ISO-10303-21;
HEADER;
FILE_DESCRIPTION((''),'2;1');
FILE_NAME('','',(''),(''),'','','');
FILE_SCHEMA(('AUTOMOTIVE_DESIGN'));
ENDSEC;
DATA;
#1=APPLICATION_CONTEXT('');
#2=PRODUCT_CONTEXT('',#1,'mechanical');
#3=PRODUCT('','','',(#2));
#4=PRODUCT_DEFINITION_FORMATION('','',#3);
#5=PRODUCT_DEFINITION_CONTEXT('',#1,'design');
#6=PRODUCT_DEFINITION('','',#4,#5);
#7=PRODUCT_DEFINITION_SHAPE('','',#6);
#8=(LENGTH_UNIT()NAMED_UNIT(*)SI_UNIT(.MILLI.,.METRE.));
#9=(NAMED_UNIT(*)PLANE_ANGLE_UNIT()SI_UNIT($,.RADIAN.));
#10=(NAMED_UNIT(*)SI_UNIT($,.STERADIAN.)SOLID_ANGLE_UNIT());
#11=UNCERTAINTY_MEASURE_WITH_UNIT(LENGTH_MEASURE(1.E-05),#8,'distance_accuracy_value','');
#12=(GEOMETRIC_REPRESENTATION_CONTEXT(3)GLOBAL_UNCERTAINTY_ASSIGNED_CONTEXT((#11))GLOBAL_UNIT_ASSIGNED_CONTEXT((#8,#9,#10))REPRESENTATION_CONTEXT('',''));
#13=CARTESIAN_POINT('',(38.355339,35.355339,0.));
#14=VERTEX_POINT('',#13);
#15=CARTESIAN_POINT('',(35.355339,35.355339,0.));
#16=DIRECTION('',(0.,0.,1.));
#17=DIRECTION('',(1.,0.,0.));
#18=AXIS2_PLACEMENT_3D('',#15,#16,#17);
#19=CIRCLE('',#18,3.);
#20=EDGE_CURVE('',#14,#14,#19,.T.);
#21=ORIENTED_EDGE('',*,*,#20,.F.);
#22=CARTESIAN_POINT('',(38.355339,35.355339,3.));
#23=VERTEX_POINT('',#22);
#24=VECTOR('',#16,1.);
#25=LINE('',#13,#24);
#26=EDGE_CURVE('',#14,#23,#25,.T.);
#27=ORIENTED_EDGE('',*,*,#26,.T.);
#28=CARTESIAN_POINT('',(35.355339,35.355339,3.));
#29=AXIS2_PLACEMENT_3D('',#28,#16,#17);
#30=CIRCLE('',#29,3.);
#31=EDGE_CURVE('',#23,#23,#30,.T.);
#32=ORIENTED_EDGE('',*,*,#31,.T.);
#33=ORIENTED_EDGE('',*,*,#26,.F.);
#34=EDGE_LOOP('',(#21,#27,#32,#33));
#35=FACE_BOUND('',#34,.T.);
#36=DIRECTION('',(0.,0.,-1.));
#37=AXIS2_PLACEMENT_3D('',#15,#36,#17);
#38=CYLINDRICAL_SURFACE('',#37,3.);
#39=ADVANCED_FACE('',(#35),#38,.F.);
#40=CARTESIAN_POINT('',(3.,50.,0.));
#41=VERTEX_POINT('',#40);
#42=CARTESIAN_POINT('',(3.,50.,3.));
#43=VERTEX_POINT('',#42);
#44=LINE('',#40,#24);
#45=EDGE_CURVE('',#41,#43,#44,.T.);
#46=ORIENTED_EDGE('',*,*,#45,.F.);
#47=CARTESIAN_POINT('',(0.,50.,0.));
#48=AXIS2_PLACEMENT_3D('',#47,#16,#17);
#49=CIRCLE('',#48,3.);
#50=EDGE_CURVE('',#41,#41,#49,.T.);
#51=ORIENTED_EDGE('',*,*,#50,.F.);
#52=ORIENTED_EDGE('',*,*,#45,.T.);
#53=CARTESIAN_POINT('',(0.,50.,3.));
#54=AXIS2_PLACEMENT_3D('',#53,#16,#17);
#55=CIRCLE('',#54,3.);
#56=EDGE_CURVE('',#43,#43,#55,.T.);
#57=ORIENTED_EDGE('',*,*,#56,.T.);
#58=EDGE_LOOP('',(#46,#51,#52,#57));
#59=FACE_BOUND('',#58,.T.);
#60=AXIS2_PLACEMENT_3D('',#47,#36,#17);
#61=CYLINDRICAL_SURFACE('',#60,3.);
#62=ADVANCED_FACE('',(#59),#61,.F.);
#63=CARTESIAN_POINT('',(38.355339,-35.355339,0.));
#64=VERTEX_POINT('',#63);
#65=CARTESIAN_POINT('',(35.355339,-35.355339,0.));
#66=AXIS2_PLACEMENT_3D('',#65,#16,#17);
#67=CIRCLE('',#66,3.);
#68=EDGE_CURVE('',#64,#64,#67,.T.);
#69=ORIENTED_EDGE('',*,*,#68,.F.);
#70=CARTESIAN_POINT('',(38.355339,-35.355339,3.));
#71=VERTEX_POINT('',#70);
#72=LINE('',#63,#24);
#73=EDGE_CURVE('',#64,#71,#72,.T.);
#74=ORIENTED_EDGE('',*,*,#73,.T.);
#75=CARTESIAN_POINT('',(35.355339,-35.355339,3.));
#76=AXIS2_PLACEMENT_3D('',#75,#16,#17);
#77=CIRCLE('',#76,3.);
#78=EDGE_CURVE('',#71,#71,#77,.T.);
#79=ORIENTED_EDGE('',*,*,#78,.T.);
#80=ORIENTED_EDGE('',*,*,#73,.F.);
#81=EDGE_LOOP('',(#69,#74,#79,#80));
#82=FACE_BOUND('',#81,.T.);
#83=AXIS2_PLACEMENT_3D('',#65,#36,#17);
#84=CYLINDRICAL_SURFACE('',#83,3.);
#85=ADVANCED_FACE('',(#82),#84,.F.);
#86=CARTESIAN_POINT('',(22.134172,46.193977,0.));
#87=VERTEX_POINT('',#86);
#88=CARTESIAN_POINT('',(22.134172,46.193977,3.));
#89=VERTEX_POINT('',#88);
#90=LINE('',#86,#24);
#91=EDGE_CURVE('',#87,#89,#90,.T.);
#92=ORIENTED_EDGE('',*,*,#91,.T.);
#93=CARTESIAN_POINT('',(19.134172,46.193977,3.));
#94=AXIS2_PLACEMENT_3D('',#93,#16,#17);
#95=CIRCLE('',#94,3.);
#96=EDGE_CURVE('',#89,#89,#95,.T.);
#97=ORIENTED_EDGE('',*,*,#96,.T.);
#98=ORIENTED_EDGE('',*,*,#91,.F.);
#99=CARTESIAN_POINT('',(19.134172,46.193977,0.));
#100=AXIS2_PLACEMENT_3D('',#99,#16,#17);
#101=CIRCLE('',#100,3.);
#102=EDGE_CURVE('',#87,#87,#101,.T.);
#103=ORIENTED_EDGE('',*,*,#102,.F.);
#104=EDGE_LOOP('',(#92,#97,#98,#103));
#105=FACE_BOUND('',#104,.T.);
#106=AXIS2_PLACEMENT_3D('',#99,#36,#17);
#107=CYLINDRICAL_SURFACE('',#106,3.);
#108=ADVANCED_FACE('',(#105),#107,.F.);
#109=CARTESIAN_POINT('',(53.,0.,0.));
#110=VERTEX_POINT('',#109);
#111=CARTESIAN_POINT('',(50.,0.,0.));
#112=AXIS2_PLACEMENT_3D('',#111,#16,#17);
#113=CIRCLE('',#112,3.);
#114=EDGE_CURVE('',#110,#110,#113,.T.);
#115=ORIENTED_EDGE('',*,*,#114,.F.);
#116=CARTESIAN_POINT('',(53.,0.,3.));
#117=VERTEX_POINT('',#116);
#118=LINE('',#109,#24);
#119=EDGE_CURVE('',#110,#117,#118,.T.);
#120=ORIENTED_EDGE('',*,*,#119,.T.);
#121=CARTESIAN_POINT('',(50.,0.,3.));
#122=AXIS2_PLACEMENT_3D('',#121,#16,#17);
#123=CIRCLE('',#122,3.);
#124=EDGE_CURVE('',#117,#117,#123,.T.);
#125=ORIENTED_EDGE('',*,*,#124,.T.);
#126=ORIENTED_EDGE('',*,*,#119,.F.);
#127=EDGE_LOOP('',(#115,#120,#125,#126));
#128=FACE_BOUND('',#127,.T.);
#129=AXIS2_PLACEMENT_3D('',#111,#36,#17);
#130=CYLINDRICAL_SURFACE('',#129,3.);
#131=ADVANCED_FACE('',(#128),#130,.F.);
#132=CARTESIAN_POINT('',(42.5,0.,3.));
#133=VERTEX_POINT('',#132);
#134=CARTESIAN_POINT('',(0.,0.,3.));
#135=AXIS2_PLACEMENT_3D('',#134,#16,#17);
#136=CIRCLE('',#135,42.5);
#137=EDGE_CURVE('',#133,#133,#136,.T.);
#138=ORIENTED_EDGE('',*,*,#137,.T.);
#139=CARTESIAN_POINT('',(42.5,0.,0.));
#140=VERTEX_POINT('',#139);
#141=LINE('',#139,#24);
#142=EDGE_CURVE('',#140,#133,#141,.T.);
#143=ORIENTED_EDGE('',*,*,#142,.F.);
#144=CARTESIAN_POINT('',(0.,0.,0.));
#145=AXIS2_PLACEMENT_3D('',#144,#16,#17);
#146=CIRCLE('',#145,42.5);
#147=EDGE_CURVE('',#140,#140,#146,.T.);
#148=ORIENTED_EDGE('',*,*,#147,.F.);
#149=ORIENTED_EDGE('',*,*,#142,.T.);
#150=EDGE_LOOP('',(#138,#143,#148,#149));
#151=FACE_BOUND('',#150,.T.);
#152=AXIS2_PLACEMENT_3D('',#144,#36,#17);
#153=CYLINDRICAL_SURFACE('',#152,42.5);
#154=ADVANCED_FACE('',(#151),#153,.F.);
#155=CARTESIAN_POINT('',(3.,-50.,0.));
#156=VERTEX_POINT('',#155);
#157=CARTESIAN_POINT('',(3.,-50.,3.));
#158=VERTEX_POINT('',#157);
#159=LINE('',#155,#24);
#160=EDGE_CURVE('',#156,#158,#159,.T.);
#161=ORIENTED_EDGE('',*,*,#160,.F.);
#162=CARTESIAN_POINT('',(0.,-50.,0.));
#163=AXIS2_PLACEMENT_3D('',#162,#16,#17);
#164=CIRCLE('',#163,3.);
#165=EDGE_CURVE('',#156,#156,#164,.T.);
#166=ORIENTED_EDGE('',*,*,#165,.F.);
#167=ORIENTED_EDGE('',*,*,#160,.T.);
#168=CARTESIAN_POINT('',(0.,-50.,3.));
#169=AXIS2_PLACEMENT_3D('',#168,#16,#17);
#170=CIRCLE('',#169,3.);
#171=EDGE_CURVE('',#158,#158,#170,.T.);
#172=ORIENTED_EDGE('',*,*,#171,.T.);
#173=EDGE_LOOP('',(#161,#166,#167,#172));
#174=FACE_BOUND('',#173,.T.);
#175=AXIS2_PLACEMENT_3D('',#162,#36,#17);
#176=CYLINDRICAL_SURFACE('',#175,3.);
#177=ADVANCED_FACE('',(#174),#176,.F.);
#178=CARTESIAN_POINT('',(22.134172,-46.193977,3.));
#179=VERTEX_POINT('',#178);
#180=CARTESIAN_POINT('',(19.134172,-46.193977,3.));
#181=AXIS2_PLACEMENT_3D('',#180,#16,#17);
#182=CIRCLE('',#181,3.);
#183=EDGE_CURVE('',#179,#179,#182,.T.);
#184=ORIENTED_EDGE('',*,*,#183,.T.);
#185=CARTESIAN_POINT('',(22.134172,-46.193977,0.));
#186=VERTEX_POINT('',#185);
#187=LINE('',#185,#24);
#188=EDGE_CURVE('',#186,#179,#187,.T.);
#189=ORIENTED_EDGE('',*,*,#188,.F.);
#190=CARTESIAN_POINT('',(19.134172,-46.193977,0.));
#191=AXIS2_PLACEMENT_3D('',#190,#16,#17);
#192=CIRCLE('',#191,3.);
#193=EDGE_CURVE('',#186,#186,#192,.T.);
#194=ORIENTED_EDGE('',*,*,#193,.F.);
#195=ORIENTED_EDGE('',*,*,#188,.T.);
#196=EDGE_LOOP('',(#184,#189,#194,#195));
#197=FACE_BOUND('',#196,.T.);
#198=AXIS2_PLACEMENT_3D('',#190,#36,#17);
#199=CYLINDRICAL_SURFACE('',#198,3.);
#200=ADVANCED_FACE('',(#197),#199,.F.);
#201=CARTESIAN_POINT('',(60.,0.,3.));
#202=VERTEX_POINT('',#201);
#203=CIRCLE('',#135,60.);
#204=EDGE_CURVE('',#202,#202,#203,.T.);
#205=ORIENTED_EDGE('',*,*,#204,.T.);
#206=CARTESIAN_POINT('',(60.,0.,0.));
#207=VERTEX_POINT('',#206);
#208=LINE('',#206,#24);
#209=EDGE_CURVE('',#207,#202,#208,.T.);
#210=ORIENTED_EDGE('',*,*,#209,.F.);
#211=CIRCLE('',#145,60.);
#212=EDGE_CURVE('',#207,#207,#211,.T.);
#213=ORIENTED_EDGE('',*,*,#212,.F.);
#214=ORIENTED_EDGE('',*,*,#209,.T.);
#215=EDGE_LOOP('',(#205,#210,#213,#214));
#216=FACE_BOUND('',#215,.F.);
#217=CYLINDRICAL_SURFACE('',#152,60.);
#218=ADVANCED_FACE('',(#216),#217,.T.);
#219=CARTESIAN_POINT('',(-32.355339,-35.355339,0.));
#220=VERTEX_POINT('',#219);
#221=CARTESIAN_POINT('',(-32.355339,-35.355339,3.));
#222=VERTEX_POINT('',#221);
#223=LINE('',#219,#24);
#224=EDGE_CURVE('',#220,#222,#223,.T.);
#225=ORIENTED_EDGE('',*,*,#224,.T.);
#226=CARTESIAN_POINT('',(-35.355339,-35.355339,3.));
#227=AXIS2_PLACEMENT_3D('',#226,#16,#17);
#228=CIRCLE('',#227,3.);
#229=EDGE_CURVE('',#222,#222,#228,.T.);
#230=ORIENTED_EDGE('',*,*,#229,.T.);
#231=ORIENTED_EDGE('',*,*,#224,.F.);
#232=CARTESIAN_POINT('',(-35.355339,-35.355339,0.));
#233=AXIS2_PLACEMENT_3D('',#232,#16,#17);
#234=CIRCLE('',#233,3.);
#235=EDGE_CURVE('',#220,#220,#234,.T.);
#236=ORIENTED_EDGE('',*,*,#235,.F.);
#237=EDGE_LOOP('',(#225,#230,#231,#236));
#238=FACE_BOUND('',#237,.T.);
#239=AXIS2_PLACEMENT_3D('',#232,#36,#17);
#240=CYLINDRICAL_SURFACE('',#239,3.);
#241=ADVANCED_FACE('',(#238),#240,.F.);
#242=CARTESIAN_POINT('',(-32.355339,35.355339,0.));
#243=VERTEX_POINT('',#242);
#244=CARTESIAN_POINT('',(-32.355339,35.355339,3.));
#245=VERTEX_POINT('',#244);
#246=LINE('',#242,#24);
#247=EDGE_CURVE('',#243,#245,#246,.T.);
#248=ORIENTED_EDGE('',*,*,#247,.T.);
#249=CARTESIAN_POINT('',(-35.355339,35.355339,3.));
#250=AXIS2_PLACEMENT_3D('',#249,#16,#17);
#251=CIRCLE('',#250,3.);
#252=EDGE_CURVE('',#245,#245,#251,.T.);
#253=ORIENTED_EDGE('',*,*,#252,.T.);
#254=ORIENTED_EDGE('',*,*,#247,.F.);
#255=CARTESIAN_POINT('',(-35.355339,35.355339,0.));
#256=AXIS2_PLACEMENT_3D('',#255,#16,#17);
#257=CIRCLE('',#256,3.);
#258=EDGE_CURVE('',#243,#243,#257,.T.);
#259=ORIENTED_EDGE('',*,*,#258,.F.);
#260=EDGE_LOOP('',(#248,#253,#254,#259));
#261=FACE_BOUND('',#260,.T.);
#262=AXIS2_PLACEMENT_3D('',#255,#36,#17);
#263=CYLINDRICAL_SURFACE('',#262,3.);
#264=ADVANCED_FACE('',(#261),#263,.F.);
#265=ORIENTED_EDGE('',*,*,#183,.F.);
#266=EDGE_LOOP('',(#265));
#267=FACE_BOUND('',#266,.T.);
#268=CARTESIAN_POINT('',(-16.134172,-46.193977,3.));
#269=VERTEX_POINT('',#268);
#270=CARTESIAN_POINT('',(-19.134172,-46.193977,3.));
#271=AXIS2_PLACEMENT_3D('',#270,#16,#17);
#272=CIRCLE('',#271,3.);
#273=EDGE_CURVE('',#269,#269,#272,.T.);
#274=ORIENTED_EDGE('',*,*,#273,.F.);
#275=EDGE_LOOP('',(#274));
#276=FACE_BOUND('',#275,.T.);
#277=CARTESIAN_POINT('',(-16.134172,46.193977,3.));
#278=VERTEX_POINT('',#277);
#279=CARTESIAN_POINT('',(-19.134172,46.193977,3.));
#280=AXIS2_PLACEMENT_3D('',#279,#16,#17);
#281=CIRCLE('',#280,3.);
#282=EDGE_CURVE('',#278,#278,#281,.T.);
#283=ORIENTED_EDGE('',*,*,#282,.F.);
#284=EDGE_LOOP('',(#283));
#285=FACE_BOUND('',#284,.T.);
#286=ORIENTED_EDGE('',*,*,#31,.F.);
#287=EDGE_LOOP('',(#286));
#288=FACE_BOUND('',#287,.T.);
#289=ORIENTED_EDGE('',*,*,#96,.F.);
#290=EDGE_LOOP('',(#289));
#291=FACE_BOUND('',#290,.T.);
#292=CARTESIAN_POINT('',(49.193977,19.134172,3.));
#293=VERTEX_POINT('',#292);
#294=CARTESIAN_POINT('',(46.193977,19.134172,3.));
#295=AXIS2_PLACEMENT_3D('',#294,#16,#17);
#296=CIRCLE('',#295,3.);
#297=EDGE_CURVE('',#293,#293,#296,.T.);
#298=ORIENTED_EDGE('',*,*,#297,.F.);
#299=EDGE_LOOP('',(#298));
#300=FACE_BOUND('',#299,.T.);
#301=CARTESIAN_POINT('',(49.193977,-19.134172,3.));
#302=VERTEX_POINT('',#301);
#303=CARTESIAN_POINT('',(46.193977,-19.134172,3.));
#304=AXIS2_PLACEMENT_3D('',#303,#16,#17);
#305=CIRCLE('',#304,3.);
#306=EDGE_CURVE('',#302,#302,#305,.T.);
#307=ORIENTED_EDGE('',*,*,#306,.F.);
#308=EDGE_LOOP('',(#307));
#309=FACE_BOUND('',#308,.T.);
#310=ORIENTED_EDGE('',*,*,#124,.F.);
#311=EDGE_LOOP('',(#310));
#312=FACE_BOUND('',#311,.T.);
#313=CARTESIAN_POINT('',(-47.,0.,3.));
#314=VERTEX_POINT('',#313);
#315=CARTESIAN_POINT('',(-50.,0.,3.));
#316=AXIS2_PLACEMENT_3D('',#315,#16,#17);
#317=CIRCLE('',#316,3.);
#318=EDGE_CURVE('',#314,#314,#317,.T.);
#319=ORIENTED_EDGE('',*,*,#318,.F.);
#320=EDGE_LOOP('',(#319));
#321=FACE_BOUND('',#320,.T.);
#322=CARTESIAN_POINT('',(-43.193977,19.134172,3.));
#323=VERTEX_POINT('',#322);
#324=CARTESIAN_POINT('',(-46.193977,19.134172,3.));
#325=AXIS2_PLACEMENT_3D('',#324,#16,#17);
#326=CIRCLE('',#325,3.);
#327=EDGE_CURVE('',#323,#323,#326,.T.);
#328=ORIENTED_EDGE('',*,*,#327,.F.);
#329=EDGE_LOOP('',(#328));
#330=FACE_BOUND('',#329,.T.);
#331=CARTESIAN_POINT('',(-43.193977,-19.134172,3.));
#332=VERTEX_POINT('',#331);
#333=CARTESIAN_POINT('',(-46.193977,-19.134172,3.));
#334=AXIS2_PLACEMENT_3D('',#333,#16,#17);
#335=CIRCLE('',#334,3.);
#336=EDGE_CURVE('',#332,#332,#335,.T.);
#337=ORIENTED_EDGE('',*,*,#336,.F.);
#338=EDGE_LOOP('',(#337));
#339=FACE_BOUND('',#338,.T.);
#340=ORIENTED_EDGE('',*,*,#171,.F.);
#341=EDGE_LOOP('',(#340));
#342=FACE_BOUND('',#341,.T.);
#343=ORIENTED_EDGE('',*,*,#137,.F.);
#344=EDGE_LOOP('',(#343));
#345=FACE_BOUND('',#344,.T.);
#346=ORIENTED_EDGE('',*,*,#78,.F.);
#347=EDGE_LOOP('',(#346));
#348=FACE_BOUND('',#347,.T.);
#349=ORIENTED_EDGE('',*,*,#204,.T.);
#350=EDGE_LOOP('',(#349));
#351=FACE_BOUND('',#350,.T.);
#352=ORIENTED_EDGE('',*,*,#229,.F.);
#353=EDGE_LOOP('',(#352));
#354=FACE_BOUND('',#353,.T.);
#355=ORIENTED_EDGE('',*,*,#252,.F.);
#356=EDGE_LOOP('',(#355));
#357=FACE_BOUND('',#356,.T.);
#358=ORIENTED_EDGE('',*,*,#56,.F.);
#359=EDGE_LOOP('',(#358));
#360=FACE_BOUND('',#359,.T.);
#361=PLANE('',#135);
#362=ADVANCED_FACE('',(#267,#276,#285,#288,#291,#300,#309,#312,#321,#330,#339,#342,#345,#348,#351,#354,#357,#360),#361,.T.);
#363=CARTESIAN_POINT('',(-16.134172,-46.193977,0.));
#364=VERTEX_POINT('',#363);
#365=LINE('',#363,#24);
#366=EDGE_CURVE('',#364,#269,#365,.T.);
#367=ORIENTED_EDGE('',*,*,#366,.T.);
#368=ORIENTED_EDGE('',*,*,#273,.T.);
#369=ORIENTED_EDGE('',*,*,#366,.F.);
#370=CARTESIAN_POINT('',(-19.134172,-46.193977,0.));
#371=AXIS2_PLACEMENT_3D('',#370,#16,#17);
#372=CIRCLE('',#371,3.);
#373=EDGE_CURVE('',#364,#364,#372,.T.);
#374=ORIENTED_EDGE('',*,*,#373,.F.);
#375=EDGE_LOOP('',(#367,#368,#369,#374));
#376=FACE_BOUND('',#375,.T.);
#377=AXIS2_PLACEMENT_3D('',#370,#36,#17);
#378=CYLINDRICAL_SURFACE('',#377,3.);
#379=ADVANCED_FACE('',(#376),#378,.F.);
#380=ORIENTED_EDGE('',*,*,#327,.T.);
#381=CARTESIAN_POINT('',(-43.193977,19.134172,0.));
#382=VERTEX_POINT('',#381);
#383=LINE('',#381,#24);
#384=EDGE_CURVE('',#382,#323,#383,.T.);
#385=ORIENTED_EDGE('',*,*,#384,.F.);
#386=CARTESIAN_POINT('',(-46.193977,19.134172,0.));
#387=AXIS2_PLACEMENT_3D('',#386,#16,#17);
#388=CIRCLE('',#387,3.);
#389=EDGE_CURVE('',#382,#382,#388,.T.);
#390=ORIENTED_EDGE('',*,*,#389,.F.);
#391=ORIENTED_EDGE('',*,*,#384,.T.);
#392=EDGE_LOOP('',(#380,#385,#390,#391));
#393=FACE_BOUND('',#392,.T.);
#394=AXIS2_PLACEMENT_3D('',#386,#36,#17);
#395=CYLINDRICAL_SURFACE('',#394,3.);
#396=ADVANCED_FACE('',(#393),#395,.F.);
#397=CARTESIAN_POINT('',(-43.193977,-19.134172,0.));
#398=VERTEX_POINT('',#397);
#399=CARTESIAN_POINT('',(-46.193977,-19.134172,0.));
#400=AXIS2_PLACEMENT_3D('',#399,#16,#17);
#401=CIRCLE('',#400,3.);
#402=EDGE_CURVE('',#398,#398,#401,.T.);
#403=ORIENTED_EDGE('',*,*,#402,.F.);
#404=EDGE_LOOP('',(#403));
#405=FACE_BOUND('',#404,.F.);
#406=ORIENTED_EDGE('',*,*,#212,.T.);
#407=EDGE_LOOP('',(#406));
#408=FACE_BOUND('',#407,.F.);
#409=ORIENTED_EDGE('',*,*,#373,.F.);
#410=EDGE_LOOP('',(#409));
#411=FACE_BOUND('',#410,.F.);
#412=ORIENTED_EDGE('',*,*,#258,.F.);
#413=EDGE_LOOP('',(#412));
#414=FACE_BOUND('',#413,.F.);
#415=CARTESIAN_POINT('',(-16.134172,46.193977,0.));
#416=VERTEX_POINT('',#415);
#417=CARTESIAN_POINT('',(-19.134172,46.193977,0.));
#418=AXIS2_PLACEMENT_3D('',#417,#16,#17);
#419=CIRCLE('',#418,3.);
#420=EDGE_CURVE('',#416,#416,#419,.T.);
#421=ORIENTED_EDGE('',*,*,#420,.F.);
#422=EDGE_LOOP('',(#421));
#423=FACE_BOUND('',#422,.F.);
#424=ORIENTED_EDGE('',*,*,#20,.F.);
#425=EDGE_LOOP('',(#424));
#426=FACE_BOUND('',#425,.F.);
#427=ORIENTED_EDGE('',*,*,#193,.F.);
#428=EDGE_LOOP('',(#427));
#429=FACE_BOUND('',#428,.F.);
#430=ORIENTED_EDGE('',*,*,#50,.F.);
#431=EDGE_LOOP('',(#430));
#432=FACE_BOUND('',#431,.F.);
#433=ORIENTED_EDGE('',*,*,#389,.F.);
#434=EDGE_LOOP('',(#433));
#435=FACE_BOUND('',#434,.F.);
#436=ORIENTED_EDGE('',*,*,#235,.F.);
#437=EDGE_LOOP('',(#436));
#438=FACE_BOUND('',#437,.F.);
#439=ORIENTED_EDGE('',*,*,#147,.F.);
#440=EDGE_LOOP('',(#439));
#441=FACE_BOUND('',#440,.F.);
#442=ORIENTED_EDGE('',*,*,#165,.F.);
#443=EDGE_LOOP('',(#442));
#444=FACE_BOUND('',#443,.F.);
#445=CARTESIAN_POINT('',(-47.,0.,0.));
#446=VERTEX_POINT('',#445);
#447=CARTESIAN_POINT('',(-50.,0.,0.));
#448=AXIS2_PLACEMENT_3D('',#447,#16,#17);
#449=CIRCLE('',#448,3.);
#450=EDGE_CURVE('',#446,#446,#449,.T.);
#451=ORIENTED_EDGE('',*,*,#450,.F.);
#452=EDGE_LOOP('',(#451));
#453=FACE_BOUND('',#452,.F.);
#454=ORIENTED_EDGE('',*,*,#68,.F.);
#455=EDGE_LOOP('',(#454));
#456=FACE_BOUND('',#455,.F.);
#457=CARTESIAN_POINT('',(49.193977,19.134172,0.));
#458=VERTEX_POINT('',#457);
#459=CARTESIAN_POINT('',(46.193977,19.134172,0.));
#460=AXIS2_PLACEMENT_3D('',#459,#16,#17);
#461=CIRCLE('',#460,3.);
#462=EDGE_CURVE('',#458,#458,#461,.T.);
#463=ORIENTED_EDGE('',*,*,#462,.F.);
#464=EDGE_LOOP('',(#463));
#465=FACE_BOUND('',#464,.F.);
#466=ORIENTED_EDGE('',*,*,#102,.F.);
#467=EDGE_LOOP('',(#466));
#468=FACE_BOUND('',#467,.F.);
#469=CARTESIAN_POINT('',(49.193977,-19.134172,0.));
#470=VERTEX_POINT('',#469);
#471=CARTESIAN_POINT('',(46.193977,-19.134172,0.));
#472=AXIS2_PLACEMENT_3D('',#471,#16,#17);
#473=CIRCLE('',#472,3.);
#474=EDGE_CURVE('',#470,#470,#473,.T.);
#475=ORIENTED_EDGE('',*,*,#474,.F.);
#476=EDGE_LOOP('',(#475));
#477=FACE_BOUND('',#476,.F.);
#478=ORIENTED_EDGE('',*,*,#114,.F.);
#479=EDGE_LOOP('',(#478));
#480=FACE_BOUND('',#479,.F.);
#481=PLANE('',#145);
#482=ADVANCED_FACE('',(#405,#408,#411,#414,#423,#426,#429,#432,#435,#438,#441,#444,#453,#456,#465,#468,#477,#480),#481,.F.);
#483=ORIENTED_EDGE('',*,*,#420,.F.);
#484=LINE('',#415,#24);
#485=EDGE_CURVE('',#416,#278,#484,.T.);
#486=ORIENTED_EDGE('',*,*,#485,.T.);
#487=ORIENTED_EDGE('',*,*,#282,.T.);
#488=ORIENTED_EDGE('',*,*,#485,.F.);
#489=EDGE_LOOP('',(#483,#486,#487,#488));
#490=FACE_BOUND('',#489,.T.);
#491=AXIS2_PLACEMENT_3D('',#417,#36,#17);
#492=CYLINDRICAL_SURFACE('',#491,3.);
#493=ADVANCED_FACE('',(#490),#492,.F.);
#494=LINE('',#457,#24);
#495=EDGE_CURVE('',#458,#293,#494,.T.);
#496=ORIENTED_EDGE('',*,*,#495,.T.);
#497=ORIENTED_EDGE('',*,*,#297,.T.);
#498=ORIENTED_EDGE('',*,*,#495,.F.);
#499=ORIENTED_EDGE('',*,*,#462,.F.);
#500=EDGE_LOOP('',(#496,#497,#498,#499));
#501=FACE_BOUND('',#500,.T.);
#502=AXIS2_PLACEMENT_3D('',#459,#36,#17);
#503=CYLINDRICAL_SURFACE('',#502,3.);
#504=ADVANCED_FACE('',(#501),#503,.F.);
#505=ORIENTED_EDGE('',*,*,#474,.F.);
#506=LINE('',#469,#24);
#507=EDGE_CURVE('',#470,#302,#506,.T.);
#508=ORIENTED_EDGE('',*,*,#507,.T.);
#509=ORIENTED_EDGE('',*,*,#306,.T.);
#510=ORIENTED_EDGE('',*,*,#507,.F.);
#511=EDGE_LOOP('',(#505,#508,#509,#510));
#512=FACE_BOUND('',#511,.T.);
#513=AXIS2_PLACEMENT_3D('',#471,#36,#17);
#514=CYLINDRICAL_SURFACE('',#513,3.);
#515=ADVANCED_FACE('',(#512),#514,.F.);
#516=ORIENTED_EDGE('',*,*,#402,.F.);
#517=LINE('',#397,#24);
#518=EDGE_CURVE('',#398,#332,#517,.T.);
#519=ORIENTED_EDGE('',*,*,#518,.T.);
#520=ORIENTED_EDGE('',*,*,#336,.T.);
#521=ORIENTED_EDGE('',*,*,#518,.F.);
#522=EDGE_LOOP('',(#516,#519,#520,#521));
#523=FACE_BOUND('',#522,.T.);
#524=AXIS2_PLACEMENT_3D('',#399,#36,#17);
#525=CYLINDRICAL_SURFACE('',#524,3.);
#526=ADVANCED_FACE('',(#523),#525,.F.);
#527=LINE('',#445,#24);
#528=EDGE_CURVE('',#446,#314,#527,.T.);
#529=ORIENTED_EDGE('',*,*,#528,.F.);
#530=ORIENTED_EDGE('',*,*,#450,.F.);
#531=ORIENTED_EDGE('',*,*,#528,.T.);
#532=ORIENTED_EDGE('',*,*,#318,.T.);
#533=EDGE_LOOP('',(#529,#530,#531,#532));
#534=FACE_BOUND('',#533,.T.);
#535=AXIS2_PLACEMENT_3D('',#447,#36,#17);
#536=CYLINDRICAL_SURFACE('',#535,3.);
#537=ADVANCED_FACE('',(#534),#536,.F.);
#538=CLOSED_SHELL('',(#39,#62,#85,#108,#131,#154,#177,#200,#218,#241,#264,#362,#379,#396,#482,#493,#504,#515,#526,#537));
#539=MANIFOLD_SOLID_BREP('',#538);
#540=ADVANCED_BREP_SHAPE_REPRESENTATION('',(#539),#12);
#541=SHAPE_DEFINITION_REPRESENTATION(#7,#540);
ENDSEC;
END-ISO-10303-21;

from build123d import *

# Parameters (mm, degrees)
F0_R     = 60
F0_R_2   = 3
F0_R_3   = 42.5
F1_DEPTH = 3


with BuildPart() as f1:
    # F0 (on Top) → F1 (new body)
    with BuildSketch(Plane.XY):
        Circle(F0_R)
        with Locations((-35.355339, -35.355339)):
            Circle(F0_R_2, mode=Mode.SUBTRACT)
        with Locations((-19.134172, -46.193977)):
            Circle(F0_R_2, mode=Mode.SUBTRACT)
        with Locations((-46.193977, -19.134172)):
            Circle(F0_R_2, mode=Mode.SUBTRACT)
        with Locations((0, -50)):
            Circle(F0_R_2, mode=Mode.SUBTRACT)
        with Locations((19.134172, -46.193977)):
            Circle(F0_R_2, mode=Mode.SUBTRACT)
        with Locations((35.355339, -35.355339)):
            Circle(F0_R_2, mode=Mode.SUBTRACT)
        with Locations((46.193977, -19.134172)):
            Circle(F0_R_2, mode=Mode.SUBTRACT)
        with Locations((-50, 0)):
            Circle(F0_R_2, mode=Mode.SUBTRACT)
        with Locations((-46.193977, 19.134172)):
            Circle(F0_R_2, mode=Mode.SUBTRACT)
        with Locations((-35.355339, 35.355339)):
            Circle(F0_R_2, mode=Mode.SUBTRACT)
        with Locations((-19.134172, 46.193977)):
            Circle(F0_R_2, mode=Mode.SUBTRACT)
        Circle(F0_R_3, mode=Mode.SUBTRACT)
        with Locations((50, 0)):
            Circle(F0_R_2, mode=Mode.SUBTRACT)
        with Locations((46.193977, 19.134172)):
            Circle(F0_R_2, mode=Mode.SUBTRACT)
        with Locations((0, 50)):
            Circle(F0_R_2, mode=Mode.SUBTRACT)
        with Locations((19.134172, 46.193977)):
            Circle(F0_R_2, mode=Mode.SUBTRACT)
        with Locations((35.355339, 35.355339)):
            Circle(F0_R_2, mode=Mode.SUBTRACT)
    extrude(amount=F1_DEPTH)


solid = f1.part
